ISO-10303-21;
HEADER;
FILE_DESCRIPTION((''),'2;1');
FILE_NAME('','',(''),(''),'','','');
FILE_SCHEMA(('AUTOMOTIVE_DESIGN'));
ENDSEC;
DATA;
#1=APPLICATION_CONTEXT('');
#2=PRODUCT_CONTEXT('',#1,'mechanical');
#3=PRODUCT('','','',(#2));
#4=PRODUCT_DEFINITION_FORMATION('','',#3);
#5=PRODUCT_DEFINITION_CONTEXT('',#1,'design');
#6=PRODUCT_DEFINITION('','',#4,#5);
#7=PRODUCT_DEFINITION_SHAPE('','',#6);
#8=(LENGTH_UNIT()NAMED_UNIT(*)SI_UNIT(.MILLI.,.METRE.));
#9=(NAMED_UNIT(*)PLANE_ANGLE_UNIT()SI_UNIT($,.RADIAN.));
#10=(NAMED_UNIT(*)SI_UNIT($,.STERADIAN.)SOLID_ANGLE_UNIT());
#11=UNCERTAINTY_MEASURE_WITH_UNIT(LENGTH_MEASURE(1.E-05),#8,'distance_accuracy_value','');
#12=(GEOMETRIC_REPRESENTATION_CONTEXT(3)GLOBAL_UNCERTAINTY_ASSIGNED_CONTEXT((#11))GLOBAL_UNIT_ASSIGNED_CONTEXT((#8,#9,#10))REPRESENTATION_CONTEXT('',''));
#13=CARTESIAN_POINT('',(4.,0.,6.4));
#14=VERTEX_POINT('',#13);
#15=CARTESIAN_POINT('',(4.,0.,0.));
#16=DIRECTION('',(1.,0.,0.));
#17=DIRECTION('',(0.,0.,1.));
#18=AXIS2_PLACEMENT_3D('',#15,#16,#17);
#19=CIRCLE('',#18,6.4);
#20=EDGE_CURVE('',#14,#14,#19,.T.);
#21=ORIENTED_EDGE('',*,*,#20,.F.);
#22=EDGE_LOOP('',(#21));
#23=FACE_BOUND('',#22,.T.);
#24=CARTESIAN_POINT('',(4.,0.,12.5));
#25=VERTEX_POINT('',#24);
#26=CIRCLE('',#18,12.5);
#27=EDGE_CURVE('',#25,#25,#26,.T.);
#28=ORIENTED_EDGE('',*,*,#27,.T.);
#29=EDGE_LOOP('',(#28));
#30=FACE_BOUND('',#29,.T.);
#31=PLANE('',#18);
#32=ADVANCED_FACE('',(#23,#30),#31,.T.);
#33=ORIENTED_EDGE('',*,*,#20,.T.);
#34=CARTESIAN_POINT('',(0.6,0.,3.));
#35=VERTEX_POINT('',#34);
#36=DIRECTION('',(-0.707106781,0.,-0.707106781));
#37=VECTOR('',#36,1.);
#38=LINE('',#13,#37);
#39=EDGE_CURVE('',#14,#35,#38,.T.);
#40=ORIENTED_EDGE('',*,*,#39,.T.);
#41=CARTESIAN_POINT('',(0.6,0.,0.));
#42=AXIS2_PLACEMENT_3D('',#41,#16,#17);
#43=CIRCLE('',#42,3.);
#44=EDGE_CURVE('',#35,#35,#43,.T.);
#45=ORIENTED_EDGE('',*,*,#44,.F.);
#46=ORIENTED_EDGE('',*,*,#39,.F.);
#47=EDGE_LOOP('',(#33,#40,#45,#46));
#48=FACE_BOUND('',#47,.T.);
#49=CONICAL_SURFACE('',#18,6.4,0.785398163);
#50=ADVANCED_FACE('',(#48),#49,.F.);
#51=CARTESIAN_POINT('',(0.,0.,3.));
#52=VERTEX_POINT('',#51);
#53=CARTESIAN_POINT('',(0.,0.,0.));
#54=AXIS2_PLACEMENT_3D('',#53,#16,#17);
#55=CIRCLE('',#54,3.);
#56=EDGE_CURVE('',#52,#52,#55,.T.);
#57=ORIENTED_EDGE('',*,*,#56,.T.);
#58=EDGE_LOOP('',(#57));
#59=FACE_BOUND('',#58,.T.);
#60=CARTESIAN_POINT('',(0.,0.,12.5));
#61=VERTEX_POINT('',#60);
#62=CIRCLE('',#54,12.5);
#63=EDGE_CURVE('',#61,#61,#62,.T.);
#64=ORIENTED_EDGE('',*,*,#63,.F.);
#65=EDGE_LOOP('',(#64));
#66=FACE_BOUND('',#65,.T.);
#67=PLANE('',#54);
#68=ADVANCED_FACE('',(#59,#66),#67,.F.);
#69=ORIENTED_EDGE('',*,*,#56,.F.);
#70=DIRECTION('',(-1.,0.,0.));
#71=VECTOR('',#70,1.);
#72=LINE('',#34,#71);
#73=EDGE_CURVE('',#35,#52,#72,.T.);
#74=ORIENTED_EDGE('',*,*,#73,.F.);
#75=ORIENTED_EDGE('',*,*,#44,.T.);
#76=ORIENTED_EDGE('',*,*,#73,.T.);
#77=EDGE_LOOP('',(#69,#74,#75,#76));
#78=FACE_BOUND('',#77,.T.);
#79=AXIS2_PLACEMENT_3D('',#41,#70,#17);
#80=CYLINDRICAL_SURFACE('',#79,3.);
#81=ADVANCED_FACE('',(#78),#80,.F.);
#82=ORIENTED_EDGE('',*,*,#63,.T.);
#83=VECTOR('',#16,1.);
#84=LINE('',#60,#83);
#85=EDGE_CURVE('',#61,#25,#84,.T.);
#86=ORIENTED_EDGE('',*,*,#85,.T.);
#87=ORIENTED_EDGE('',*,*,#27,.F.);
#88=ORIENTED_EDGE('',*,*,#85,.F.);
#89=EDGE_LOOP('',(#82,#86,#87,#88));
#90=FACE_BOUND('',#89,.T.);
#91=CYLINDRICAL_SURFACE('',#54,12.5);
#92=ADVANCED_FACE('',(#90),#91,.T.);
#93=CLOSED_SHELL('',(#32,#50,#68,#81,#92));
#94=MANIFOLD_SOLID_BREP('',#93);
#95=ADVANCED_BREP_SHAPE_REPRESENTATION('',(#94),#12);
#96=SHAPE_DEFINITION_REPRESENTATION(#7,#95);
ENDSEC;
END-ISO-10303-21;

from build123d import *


with BuildPart() as part:
    # Sketch → Revolution (revolve)
    with BuildSketch(Plane.XZ):
        Polygon((0, 3), (0, 12.5), (4, 12.5), (4, 6.4), (0.6, 3), align=None)
    revolve(axis=Axis((0, 0, 0), (1, 0, 0)))


solid = part.part
